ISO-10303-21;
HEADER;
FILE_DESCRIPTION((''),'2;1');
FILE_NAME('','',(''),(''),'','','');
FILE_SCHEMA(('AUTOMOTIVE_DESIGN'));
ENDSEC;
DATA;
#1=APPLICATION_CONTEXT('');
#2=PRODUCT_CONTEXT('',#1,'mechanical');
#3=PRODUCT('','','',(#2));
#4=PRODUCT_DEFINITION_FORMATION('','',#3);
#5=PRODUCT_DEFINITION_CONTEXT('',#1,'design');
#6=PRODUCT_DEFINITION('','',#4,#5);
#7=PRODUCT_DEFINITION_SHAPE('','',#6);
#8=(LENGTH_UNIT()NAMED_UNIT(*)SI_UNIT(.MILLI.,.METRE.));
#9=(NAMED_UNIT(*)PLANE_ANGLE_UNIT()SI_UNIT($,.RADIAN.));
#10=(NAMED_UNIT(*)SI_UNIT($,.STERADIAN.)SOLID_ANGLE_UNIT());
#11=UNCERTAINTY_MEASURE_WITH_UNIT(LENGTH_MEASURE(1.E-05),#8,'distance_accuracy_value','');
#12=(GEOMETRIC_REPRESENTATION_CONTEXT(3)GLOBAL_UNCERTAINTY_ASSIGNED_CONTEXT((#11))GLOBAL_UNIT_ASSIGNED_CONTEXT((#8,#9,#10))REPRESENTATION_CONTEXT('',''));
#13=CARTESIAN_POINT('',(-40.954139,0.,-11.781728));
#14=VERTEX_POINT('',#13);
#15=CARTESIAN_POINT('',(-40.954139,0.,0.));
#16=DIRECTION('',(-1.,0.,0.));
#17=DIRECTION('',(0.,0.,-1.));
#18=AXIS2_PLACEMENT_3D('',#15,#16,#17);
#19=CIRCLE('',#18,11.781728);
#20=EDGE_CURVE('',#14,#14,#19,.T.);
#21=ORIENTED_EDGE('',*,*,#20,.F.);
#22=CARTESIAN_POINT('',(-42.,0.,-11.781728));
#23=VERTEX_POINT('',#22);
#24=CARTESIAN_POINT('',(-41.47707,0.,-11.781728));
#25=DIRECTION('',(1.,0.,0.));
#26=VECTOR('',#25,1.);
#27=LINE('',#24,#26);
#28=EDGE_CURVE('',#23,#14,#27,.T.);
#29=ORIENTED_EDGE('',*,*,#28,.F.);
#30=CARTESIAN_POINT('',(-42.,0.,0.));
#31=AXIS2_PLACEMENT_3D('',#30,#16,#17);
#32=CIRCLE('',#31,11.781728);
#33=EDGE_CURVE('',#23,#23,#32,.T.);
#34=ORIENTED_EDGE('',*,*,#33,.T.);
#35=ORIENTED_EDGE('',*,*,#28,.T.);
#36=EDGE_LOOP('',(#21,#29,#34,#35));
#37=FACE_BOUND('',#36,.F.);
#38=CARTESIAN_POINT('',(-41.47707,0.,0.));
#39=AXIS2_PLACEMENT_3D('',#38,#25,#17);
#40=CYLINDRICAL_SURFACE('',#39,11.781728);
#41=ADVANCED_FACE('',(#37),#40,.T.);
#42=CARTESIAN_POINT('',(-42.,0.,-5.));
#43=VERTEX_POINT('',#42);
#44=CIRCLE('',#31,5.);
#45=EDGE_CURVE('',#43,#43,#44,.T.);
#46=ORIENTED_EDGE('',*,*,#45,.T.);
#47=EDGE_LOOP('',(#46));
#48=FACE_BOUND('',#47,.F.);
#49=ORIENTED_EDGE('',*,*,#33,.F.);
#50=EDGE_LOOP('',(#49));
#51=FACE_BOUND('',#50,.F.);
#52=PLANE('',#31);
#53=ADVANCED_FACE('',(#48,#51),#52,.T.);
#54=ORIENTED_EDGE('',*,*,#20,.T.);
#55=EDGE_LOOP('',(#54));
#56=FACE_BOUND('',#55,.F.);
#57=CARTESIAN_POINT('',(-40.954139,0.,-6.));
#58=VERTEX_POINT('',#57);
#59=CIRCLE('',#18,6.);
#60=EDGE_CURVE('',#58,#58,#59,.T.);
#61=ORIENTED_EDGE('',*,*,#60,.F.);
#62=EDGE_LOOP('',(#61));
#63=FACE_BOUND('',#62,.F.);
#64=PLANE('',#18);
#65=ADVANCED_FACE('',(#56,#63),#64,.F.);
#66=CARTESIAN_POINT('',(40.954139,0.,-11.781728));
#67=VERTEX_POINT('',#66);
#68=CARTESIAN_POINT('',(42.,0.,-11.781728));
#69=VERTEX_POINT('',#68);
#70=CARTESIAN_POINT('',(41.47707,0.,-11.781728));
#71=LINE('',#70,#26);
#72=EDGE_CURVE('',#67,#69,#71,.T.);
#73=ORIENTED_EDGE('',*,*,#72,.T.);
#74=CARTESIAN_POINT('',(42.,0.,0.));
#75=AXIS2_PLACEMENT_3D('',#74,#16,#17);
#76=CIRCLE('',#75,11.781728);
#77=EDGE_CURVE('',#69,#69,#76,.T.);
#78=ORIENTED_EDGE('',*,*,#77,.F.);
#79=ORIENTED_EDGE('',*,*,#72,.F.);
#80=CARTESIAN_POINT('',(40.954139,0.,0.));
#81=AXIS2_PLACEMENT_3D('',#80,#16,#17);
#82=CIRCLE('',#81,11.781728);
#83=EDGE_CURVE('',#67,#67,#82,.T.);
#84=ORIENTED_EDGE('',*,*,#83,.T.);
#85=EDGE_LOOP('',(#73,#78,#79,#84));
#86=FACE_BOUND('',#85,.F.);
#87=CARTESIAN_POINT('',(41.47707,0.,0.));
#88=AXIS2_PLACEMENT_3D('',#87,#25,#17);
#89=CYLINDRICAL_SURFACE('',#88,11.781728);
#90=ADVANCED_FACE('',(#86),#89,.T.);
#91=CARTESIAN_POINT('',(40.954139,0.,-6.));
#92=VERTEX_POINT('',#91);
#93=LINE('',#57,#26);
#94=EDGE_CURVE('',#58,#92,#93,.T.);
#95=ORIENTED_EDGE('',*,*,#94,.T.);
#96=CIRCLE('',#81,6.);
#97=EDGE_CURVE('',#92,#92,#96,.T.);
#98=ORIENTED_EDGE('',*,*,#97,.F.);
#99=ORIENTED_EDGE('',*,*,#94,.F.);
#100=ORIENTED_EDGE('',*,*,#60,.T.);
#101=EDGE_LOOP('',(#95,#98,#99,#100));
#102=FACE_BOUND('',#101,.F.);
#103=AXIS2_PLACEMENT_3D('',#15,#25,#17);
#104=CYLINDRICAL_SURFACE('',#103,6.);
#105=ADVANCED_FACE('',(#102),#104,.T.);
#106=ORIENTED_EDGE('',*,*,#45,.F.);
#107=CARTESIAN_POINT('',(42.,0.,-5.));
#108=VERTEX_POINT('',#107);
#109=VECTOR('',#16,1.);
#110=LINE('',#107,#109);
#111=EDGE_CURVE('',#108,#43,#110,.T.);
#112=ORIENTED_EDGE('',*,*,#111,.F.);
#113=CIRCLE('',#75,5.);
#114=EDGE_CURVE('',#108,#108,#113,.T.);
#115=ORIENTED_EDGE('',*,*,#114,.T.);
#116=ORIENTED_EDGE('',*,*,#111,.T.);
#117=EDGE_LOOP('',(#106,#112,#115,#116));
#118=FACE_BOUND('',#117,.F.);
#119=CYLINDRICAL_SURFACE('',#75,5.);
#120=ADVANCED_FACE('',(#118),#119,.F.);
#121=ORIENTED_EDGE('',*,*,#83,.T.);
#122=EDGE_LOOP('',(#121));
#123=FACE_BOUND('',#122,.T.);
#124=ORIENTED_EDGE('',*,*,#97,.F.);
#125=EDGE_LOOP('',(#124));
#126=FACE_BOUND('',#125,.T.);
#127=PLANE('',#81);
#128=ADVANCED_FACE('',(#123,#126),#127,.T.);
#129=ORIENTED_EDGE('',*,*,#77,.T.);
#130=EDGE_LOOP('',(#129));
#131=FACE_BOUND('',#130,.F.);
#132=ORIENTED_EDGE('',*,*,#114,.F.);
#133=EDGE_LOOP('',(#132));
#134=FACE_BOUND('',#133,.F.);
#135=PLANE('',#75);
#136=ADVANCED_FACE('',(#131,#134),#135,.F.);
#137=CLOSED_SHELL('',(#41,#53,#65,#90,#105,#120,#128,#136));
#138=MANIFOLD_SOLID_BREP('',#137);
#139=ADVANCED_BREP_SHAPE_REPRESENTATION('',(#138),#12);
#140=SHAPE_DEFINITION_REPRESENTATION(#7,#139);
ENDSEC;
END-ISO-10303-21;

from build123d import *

# Parameters (mm, degrees)
F0_W = 1.0458609164
F0_H = 5.7817278951


with BuildPart() as f1:
    # F0 (on Front) → F1 (revolve)
    with BuildSketch(Plane.XZ):
        with Locations((-41.4770695418, -8.8908639476)):
            Rectangle(F0_W, F0_H)
        Polygon((0, -6), (0, -5), (-42, -5), (-42, -6), (-40.9541390836, -6), align=None)
        with Locations((41.4770695418, -8.8908639476)):
            Rectangle(F0_W, F0_H)
        Polygon((42, -5), (0, -5), (0, -6), (40.9541390836, -6), (42, -6), align=None)
    revolve(axis=Axis((-5.3423042409, 0, 0), (-1, 0, 0)))


solid = f1.part
